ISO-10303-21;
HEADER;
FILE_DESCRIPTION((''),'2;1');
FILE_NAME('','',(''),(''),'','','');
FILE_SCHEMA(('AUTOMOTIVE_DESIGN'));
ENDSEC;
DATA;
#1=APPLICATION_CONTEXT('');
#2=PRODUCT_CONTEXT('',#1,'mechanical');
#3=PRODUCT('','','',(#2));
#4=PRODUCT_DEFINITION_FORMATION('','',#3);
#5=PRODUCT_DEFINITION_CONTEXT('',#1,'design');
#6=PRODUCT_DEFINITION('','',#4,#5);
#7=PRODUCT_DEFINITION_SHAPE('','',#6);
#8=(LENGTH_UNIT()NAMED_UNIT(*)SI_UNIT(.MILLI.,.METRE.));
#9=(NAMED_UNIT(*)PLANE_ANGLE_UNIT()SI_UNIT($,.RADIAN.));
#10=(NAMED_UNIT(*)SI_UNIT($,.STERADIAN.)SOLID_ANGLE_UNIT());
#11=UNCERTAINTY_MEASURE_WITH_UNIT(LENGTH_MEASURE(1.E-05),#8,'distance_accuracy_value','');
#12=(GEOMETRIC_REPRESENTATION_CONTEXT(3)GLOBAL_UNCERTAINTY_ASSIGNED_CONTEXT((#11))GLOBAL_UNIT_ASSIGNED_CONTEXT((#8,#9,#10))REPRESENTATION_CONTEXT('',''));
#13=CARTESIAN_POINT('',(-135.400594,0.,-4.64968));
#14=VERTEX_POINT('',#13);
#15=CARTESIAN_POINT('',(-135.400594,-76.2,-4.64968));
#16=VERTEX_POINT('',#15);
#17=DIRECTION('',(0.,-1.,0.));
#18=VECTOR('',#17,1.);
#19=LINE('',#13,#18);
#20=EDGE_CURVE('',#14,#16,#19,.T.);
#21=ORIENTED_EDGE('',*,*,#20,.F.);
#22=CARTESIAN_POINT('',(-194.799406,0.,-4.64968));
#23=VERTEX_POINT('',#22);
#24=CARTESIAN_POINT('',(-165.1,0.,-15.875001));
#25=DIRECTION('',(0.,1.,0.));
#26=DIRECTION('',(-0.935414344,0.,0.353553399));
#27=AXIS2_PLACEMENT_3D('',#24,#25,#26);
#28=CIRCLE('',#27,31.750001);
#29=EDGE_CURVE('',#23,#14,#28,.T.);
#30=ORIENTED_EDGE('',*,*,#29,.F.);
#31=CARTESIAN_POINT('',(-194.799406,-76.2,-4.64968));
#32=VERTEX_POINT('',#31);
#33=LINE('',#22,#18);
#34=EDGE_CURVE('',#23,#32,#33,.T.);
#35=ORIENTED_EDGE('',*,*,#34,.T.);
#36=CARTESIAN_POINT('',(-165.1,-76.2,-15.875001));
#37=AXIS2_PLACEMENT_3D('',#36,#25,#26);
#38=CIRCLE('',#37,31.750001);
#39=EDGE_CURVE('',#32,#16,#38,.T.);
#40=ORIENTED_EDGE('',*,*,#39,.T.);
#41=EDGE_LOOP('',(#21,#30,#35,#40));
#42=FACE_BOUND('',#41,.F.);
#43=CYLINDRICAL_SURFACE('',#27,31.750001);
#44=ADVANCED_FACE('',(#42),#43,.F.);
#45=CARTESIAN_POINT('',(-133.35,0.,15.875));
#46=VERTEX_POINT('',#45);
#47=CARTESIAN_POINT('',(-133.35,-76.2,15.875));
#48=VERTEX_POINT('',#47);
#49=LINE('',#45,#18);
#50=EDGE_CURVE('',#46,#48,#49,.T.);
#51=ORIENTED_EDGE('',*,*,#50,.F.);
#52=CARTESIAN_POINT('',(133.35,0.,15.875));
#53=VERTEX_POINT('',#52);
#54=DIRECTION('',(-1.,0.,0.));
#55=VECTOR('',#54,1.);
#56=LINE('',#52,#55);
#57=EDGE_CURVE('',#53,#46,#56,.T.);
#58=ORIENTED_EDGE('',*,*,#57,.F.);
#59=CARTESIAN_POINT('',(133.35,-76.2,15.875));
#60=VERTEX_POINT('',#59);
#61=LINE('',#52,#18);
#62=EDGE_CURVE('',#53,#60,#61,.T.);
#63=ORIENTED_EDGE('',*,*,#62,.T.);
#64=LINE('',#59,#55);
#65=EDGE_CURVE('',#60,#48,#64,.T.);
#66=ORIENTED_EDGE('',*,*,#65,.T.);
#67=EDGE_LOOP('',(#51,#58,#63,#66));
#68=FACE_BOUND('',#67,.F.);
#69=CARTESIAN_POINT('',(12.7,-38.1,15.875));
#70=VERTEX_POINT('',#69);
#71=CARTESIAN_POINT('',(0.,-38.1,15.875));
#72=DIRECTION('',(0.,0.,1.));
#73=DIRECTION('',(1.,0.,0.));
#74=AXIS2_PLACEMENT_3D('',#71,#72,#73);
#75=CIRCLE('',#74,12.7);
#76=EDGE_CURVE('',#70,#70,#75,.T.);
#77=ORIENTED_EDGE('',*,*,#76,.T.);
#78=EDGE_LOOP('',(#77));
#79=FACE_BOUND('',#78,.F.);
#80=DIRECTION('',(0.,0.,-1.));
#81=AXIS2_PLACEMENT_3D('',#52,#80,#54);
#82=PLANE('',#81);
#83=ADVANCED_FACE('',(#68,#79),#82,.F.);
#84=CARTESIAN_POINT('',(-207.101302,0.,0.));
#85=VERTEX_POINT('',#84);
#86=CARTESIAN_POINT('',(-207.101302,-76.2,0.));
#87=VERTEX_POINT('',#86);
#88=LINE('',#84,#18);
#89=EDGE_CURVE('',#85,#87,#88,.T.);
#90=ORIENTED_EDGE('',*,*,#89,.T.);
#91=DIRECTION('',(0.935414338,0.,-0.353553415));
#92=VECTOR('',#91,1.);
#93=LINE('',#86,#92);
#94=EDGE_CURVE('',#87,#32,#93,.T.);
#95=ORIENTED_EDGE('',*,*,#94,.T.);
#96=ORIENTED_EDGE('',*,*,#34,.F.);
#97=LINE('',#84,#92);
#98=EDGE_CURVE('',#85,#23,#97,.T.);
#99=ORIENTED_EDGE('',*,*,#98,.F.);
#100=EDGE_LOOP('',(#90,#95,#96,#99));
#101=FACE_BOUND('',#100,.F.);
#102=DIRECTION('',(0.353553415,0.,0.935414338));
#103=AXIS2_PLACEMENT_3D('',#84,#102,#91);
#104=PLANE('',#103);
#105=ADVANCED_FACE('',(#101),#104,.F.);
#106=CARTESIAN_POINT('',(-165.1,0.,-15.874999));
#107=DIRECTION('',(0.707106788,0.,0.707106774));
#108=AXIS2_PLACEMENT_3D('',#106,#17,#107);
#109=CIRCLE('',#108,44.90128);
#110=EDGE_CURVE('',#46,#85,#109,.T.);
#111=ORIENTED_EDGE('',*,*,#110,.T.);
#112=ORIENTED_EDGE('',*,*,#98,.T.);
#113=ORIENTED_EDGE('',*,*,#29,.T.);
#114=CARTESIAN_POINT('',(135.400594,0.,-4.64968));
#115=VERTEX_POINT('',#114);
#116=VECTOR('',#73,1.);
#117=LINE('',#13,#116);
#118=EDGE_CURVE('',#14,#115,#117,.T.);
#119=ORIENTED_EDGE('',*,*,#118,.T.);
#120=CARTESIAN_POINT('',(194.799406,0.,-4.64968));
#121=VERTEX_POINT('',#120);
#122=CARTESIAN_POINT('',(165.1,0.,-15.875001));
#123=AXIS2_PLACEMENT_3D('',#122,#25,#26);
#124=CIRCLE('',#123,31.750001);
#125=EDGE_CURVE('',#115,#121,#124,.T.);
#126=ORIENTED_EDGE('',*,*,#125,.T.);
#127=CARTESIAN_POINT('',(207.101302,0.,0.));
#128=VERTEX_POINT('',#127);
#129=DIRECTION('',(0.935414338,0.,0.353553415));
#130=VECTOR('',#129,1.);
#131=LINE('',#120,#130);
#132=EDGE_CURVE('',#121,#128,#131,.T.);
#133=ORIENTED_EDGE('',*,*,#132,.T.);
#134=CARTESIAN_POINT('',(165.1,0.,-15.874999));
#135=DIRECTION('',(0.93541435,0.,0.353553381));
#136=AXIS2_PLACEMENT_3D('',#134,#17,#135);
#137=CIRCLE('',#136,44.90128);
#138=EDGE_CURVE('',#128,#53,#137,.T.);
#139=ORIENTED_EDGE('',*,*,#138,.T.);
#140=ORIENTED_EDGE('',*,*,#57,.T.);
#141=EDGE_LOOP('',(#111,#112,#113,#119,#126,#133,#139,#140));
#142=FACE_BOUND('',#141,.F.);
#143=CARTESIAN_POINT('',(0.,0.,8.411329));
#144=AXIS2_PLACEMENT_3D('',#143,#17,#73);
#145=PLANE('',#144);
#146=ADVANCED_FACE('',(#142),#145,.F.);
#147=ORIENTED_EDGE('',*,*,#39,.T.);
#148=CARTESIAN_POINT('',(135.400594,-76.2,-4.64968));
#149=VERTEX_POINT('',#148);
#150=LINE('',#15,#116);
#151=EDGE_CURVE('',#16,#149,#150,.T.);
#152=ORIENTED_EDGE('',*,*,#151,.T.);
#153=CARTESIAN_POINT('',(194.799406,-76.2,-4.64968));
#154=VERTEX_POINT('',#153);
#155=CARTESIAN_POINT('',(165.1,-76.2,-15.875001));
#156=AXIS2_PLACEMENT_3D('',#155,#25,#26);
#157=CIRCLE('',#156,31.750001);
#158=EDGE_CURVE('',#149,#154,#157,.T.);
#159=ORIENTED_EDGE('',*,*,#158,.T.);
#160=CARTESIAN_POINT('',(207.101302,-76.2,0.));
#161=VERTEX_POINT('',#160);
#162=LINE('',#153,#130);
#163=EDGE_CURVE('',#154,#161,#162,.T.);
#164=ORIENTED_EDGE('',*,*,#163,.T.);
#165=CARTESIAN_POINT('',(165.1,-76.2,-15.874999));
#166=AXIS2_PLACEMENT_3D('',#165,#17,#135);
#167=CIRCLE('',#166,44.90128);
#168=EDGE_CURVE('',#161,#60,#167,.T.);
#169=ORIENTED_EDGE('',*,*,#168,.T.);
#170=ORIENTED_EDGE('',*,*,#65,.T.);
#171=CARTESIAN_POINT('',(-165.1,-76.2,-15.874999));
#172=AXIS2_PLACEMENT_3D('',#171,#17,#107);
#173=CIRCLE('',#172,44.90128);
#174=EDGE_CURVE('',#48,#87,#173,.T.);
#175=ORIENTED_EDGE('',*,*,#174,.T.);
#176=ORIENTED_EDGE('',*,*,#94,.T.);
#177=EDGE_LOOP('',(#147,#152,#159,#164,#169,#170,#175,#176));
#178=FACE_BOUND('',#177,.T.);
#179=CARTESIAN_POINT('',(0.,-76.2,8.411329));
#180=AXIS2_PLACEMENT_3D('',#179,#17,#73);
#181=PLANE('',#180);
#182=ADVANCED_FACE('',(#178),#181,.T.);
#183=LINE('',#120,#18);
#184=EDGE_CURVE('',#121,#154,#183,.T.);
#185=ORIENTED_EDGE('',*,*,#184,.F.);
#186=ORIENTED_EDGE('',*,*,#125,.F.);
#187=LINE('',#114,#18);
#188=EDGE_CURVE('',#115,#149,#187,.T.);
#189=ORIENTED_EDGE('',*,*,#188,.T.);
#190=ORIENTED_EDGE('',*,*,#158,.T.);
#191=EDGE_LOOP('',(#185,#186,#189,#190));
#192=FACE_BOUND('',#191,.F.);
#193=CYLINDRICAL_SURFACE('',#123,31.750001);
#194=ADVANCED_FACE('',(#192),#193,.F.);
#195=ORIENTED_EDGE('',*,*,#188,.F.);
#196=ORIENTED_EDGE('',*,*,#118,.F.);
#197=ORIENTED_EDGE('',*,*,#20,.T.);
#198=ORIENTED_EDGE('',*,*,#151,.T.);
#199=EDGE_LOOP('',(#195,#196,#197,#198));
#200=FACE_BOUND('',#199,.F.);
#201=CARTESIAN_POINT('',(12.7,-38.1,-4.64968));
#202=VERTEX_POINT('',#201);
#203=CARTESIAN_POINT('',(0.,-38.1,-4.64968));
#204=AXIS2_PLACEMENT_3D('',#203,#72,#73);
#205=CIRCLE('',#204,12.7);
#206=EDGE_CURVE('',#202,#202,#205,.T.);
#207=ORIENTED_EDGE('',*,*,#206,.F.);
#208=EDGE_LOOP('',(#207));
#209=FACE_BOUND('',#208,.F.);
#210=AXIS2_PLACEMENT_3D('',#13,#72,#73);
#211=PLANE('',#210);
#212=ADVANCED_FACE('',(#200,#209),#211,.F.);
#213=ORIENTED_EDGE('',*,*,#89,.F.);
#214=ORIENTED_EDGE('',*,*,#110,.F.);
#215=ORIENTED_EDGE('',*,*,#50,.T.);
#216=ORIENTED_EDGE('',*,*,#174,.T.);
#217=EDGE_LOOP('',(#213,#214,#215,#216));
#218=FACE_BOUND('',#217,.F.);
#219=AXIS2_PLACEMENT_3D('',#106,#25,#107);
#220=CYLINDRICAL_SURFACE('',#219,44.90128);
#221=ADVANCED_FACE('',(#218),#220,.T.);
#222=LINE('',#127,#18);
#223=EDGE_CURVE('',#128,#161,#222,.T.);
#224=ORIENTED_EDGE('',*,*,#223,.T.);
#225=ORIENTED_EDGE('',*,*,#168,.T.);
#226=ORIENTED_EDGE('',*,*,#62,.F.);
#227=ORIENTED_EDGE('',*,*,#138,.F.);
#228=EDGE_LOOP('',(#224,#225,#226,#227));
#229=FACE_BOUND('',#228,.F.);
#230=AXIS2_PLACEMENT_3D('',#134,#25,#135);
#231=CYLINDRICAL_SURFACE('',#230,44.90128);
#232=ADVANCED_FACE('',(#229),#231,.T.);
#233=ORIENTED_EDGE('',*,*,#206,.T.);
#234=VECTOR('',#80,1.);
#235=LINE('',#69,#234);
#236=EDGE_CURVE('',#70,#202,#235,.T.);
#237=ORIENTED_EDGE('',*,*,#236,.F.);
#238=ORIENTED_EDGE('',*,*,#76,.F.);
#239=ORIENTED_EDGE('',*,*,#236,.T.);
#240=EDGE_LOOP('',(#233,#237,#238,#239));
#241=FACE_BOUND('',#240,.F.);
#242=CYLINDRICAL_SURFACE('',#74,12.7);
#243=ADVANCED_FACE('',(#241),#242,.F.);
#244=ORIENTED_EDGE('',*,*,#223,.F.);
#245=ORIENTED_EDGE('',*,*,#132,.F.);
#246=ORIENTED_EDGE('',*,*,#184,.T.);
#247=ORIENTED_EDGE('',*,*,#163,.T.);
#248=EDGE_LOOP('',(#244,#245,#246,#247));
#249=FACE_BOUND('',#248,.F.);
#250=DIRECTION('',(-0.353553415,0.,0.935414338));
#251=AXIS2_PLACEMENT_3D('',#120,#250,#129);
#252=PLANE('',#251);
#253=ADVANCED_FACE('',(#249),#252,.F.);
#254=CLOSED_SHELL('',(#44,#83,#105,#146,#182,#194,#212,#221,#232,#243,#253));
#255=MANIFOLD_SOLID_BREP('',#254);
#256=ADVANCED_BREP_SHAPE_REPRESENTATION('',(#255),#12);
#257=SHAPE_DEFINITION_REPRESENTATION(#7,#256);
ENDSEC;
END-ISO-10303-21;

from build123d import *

# Parameters (mm, degrees)
F1_DEPTH = 76.2
F2_R     = 12.7
F3_DEPTH = 20.52468


with BuildPart() as f1:
    # F0 (on Front) → F1 (new body)
    with BuildSketch(Plane.XZ):
        with BuildLine():
            ThreePointArc((207.101302, 0), (174.548609, 28.020886), (133.35, 15.875))
            Line((133.35, 15.875), (-133.35, 15.875))
            ThreePointArc((-133.35, 15.875), (-174.548609, 28.020886), (-207.101302, 0))
            Line((-207.101302, 0), (-194.799406, -4.64968))
            ThreePointArc((-194.799406, -4.64968), (-165.1, 15.875), (-135.400594, -4.64968))
            Line((-135.400594, -4.64968), (135.400594, -4.64968))
            ThreePointArc((135.400594, -4.64968), (165.1, 15.875), (194.799406, -4.64968))
            Line((194.799406, -4.64968), (207.101302, 0))
        make_face()
    extrude(amount=F1_DEPTH)

    # F2 (on face) → F3 (cut, through all)
    with BuildSketch(Plane.XY.offset(15.875)):
        with Locations((0, -38.1)):
            Circle(F2_R)
    extrude(amount=-F3_DEPTH, mode=Mode.SUBTRACT)


solid = f1.part
